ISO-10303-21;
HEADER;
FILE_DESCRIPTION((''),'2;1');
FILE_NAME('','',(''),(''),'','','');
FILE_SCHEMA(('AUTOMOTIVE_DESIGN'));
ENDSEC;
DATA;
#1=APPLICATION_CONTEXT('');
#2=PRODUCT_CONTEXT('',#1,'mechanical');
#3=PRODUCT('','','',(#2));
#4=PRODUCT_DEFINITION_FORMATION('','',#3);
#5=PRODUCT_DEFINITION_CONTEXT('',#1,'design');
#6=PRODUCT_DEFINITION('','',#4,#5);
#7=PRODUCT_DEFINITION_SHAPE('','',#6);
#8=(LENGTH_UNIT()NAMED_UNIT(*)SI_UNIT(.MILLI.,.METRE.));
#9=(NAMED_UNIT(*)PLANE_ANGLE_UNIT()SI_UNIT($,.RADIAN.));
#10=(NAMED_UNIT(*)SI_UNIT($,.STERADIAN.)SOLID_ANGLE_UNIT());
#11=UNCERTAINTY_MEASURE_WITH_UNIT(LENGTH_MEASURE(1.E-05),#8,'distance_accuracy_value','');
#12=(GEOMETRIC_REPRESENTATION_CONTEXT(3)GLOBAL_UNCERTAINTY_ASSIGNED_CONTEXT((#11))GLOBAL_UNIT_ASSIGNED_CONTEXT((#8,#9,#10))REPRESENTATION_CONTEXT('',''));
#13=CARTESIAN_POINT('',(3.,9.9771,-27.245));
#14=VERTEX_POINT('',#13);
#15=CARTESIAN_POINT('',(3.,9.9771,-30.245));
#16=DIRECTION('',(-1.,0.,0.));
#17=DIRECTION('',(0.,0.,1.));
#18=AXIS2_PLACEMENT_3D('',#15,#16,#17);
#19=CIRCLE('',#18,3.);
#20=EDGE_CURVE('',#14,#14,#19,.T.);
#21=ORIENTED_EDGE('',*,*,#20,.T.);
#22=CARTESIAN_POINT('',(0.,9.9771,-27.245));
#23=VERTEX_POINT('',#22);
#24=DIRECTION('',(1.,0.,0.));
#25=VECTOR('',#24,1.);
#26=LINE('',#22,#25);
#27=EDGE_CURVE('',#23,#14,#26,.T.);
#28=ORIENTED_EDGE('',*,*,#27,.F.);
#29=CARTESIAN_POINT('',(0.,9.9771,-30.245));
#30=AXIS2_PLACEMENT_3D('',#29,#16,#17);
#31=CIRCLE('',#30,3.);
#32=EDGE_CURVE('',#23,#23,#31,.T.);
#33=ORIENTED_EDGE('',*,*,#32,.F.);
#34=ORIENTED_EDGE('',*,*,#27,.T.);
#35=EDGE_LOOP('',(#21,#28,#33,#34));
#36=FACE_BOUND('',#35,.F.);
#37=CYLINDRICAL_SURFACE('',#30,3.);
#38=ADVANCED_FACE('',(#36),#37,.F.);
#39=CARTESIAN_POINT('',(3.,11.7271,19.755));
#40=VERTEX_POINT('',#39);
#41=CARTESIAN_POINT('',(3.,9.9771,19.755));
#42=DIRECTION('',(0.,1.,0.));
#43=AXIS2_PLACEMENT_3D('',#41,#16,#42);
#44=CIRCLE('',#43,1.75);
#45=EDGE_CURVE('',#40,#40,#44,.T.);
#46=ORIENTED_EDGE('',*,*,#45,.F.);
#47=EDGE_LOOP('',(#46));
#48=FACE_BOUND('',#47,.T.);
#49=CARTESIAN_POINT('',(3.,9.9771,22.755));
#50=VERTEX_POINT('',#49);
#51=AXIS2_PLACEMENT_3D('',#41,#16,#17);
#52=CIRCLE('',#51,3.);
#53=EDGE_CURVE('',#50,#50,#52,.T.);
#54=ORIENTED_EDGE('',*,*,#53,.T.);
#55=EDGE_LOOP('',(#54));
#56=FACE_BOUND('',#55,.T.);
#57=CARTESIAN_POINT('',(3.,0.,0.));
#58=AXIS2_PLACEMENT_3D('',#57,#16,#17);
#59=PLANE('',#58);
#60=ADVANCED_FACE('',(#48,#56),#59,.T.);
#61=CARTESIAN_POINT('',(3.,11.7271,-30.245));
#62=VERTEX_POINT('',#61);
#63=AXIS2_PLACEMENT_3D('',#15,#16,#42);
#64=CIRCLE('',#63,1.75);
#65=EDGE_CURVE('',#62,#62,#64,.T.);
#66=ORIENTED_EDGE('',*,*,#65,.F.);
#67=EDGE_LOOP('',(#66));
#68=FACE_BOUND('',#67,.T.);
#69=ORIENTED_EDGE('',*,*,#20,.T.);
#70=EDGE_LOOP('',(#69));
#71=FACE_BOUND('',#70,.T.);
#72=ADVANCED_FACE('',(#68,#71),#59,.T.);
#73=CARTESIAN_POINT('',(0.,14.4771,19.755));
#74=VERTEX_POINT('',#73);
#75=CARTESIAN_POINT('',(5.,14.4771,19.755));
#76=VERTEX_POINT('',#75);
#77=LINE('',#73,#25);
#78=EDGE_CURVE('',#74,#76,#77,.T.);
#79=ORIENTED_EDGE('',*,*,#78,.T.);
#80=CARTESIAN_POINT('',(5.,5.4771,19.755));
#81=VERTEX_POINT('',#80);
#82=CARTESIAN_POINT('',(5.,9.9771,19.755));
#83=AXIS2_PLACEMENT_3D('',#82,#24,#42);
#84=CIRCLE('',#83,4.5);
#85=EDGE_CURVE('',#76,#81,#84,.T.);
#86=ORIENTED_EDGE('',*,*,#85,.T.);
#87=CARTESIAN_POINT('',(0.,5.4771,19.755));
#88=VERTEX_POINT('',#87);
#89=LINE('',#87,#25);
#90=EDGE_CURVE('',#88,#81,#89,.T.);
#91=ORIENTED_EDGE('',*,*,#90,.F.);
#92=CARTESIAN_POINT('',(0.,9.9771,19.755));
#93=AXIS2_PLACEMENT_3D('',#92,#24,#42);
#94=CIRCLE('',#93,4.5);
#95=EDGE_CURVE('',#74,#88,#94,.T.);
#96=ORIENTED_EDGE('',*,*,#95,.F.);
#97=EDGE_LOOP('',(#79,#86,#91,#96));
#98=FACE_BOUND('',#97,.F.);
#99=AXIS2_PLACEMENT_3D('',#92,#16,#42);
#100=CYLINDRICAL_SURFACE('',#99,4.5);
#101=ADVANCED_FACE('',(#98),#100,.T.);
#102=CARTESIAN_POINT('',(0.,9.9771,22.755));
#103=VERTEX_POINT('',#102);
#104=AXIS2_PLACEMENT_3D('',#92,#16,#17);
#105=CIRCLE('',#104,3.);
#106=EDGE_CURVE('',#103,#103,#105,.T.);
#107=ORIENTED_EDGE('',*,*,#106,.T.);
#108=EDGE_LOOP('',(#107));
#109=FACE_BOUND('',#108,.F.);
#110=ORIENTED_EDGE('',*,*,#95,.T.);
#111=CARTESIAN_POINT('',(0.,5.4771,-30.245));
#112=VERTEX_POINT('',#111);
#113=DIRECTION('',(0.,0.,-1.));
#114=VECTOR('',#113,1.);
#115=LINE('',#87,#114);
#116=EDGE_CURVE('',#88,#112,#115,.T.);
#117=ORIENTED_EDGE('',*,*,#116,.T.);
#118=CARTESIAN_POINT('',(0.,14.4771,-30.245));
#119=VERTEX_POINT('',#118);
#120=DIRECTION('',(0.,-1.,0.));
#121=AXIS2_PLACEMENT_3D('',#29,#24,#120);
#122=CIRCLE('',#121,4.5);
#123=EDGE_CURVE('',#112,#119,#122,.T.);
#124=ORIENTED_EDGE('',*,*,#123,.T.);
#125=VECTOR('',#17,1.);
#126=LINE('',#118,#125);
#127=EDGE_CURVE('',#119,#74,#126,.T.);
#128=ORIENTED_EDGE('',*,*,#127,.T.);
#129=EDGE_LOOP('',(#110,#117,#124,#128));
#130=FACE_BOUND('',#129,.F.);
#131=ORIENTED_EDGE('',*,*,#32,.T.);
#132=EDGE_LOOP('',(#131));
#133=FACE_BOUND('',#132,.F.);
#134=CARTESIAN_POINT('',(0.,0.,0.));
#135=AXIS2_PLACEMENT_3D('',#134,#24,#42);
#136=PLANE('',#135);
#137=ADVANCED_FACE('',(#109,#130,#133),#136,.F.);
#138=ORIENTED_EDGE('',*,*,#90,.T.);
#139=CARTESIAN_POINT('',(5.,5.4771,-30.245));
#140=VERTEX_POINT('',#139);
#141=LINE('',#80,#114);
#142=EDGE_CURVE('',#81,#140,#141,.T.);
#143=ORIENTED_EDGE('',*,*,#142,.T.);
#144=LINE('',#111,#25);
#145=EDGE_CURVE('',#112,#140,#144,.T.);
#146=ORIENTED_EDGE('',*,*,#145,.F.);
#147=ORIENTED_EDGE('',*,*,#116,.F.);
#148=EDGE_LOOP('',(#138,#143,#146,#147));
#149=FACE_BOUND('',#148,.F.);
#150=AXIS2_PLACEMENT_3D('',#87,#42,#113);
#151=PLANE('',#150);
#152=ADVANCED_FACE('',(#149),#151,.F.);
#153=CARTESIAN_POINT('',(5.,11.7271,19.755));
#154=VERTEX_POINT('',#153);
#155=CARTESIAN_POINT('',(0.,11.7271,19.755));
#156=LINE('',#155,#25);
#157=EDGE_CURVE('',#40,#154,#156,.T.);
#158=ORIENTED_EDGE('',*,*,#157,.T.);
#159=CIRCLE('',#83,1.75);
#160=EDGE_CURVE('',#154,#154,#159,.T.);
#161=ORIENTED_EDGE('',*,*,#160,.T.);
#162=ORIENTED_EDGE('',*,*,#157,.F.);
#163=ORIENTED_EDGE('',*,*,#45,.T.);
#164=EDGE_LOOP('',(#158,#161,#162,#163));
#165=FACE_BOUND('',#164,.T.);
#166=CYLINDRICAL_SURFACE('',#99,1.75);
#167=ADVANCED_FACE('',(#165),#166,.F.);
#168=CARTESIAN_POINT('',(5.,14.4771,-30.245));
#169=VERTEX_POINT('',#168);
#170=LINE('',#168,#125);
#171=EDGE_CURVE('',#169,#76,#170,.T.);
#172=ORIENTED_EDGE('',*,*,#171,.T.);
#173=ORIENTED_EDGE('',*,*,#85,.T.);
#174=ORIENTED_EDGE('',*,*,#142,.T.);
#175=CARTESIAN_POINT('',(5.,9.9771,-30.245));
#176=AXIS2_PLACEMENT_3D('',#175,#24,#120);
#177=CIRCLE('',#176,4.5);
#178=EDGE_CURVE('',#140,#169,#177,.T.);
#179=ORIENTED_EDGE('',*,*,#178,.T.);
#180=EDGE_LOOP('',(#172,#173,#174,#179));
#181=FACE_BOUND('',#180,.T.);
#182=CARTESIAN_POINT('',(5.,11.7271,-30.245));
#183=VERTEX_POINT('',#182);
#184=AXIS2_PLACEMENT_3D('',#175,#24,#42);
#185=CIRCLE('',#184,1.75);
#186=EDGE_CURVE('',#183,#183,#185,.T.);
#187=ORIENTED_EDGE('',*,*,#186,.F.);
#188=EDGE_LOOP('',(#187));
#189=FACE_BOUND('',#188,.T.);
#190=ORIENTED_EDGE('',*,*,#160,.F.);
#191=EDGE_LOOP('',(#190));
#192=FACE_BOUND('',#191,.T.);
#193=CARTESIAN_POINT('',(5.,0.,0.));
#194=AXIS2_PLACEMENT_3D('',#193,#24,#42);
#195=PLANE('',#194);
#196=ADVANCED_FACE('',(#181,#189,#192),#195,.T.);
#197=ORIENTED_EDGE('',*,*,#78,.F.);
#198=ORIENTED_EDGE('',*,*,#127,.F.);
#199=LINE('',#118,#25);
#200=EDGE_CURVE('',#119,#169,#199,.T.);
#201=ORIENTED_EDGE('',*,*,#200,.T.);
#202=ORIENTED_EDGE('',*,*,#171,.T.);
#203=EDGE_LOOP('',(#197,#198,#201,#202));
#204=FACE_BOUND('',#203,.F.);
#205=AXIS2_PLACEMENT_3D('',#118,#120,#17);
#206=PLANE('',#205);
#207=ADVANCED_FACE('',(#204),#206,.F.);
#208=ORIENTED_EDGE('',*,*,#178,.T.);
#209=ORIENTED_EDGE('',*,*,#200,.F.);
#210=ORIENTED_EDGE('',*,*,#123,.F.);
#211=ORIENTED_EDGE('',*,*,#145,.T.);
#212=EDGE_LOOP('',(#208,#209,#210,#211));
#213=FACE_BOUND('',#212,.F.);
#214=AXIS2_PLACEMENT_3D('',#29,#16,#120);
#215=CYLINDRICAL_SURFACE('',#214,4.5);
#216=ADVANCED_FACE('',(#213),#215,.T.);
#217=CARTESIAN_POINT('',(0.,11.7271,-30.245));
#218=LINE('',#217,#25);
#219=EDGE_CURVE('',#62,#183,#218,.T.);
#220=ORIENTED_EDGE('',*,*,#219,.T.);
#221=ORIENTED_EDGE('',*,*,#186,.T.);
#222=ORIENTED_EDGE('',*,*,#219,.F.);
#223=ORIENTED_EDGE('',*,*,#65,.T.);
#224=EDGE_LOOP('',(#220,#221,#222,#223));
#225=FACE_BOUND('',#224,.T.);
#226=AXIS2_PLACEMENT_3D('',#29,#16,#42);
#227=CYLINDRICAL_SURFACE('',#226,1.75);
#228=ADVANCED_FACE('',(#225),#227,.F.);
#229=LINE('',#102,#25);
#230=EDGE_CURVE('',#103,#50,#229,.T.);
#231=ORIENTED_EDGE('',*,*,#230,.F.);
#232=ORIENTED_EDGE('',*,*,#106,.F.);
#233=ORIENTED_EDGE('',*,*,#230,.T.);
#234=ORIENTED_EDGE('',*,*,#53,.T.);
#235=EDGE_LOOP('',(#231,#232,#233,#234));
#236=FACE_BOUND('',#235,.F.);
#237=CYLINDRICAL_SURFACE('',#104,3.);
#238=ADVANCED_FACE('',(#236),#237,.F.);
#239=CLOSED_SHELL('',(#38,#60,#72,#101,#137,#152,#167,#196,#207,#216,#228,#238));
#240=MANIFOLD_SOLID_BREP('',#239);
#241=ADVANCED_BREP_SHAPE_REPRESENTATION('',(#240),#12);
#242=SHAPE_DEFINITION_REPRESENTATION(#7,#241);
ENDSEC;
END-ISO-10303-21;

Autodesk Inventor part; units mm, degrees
ref_plane "YZ Plane" through (0, 0, 0) normal (1, 0, 0) x (0, 1, 0)
ref_plane "XZ Plane" through (0, 0, 0) normal (0, 1, 0) x (-1, 0, 0)
ref_plane "XY Plane" through (0, 0, 0) normal (0, 0, 1) x (1, 0, 0)
sketch "Szkic1" plane through (0, 0, 0) normal (1, 0, 0) x (0, 1, 0)
  line L0 (9.9771, 19.755) -> (9.9771, -30.245) construction
  line L1 (5.4771, 19.755) -> (5.4771, -30.245)
  line L2 (14.4771, -30.245) -> (14.4771, 19.755)
  arc A0 (14.4771, 19.755) -> (5.4771, 19.755) centre (9.9771, 19.755) ccw
  arc A1 (5.4771, -30.245) -> (14.4771, -30.245) centre (9.9771, -30.245) ccw
  circle A2 centre (9.9771, 19.755) radius 1.75
  circle A3 centre (9.9771, -30.245) radius 1.75
  point P0 (0, 0)
  point P1 (9.9771, -5.245)
  dimension "d0" = 50
  dimension "d1" = 9
  dimension "d2" = 3.5
  dimension "d3" = 3.5
extrude "Wyciągnięcie proste1" add sketch "Szkic1" along normal blind 5
sketch "Szkic5" plane through (0, 0, 0) normal (-1, 0, 0) x (0, 0, 1)
  circle A0 centre (19.755, 9.9771) radius 1.75 projected
  circle A1 centre (-30.245, 9.9771) radius 1.75 projected
  circle A2 centre (19.755, 9.9771) radius 3
  circle A3 centre (-30.245, 9.9771) radius 3
  point P0 (0, 0)
  dimension "d20" = 6
  dimension "d21" = 6
extrude "Wyciągnięcie proste6" cut sketch "Szkic5" against normal blind 3 contours A0 | A1 | A2 | A3
properties part number "belka_2"
